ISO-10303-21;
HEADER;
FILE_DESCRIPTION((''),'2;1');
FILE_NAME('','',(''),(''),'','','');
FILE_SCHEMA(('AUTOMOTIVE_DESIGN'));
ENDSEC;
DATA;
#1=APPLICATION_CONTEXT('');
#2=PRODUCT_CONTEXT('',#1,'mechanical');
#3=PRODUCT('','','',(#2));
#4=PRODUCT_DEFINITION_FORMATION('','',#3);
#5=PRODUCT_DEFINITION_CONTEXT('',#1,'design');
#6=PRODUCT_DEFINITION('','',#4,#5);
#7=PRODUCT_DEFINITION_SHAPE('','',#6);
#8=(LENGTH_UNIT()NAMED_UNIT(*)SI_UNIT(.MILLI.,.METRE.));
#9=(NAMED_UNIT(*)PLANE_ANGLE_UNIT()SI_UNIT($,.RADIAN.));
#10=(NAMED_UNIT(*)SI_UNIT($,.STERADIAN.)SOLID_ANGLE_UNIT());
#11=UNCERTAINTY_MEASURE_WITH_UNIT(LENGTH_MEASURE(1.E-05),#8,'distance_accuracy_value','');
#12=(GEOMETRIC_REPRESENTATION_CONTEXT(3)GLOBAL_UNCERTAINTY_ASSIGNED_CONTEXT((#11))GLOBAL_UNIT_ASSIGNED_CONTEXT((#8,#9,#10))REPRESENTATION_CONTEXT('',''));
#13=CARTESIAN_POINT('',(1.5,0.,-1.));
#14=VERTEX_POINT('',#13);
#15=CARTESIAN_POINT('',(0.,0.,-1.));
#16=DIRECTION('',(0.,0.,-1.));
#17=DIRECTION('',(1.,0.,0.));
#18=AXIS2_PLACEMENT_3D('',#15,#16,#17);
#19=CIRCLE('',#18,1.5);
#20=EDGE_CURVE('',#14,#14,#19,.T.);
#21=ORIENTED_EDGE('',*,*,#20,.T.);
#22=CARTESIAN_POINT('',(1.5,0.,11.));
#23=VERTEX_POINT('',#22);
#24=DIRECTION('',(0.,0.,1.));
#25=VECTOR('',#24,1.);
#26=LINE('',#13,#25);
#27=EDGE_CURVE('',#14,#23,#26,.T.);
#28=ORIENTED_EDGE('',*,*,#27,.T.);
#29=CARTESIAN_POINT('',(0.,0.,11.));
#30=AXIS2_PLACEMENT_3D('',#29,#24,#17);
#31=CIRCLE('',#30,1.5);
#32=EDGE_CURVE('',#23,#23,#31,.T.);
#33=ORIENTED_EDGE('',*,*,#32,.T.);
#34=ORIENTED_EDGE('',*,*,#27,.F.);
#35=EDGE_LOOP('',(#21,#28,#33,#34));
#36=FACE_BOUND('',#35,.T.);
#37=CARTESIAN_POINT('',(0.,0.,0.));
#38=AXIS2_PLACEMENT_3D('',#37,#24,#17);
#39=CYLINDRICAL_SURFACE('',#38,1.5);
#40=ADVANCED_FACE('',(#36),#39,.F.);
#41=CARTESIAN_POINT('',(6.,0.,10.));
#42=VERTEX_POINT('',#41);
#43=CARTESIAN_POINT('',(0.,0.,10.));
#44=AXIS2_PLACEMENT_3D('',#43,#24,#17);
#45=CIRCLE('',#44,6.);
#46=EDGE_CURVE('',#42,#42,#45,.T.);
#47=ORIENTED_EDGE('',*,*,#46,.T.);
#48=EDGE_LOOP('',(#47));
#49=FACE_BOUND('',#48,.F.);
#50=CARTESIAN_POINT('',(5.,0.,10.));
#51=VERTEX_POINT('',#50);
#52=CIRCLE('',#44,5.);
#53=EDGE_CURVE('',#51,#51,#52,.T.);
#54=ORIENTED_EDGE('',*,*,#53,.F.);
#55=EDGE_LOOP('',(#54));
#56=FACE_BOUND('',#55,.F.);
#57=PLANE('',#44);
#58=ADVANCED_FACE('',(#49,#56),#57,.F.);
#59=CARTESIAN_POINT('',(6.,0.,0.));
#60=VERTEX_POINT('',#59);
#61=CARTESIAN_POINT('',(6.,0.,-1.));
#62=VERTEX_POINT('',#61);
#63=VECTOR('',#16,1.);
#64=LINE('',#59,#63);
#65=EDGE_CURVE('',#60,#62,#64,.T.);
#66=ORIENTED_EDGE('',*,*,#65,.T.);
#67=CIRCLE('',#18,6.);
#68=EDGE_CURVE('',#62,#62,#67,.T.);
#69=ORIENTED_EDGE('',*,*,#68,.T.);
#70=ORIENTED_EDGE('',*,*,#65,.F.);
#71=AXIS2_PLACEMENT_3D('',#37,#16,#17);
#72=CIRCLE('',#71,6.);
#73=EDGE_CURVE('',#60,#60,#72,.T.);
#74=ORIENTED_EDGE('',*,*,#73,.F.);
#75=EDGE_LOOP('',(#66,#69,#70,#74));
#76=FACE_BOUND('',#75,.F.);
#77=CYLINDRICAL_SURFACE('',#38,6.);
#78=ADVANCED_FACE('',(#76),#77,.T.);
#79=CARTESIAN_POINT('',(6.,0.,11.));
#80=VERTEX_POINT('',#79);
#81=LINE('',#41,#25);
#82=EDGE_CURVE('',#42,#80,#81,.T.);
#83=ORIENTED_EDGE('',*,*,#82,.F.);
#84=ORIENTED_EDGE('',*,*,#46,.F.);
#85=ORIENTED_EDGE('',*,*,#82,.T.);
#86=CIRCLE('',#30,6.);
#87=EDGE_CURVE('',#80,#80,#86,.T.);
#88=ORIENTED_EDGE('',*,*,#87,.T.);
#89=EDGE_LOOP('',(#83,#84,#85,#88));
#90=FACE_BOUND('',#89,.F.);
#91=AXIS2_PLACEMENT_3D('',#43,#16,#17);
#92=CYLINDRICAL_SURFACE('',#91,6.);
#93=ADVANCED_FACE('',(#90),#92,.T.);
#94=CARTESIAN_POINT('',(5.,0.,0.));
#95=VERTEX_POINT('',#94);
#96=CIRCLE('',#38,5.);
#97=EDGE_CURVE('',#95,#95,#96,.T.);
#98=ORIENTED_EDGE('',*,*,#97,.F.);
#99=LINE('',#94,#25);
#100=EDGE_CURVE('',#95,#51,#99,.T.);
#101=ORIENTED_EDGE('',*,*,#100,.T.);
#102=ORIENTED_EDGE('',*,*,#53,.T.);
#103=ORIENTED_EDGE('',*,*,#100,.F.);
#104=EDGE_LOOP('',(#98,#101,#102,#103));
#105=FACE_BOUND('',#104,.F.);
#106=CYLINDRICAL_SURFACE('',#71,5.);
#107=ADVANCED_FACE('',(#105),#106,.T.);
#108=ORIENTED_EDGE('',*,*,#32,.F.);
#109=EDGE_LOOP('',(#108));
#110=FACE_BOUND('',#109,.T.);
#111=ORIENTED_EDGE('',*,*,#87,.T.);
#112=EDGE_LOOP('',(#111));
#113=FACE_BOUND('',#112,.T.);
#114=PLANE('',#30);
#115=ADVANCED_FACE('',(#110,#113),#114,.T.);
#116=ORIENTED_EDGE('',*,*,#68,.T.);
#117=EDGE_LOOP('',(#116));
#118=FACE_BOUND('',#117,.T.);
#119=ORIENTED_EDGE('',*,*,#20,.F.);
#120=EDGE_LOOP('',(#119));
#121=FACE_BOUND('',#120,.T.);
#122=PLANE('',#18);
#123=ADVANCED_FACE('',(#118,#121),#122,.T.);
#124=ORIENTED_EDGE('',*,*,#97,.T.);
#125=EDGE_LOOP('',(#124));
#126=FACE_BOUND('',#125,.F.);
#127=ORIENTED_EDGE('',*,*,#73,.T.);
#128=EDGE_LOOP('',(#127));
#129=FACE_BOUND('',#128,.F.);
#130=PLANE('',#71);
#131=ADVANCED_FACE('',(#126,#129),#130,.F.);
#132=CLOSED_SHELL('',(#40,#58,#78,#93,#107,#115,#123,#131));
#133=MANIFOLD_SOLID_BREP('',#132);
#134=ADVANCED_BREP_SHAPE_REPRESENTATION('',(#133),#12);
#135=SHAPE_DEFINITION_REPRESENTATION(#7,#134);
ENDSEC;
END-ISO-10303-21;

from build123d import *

# Parameters (mm, degrees)
SKETCH_R      = 5
SKETCH_R_2    = 1.5
PAD_DEPTH     = 10
SKETCH001_R   = 6
SKETCH001_R_2 = 1.5
PAD001_DEPTH  = 1
SKETCH002_R   = 6
SKETCH002_R_2 = 1.5
PAD002_DEPTH  = 1


with BuildPart() as part:
    # Sketch → Pad (new body)
    with BuildSketch(Plane.XY):
        Circle(SKETCH_R)
        Circle(SKETCH_R_2, mode=Mode.SUBTRACT)
    extrude(amount=PAD_DEPTH)

    # Sketch001 (on Face4 of Pad) → Pad001 (join)
    with BuildSketch(Plane.XY.offset(10)):
        Circle(SKETCH001_R)
        Circle(SKETCH001_R_2, mode=Mode.SUBTRACT)
    extrude(amount=PAD001_DEPTH)

    # Sketch002 (on Face2 of Pad001) → Pad002 (join)
    with BuildSketch(Plane(origin=(0, 0, 0), x_dir=(1, 0, 0), z_dir=(0, 0, -1))):
        Circle(SKETCH002_R)
        Circle(SKETCH002_R_2, mode=Mode.SUBTRACT)
    extrude(amount=PAD002_DEPTH)


solid = part.part
